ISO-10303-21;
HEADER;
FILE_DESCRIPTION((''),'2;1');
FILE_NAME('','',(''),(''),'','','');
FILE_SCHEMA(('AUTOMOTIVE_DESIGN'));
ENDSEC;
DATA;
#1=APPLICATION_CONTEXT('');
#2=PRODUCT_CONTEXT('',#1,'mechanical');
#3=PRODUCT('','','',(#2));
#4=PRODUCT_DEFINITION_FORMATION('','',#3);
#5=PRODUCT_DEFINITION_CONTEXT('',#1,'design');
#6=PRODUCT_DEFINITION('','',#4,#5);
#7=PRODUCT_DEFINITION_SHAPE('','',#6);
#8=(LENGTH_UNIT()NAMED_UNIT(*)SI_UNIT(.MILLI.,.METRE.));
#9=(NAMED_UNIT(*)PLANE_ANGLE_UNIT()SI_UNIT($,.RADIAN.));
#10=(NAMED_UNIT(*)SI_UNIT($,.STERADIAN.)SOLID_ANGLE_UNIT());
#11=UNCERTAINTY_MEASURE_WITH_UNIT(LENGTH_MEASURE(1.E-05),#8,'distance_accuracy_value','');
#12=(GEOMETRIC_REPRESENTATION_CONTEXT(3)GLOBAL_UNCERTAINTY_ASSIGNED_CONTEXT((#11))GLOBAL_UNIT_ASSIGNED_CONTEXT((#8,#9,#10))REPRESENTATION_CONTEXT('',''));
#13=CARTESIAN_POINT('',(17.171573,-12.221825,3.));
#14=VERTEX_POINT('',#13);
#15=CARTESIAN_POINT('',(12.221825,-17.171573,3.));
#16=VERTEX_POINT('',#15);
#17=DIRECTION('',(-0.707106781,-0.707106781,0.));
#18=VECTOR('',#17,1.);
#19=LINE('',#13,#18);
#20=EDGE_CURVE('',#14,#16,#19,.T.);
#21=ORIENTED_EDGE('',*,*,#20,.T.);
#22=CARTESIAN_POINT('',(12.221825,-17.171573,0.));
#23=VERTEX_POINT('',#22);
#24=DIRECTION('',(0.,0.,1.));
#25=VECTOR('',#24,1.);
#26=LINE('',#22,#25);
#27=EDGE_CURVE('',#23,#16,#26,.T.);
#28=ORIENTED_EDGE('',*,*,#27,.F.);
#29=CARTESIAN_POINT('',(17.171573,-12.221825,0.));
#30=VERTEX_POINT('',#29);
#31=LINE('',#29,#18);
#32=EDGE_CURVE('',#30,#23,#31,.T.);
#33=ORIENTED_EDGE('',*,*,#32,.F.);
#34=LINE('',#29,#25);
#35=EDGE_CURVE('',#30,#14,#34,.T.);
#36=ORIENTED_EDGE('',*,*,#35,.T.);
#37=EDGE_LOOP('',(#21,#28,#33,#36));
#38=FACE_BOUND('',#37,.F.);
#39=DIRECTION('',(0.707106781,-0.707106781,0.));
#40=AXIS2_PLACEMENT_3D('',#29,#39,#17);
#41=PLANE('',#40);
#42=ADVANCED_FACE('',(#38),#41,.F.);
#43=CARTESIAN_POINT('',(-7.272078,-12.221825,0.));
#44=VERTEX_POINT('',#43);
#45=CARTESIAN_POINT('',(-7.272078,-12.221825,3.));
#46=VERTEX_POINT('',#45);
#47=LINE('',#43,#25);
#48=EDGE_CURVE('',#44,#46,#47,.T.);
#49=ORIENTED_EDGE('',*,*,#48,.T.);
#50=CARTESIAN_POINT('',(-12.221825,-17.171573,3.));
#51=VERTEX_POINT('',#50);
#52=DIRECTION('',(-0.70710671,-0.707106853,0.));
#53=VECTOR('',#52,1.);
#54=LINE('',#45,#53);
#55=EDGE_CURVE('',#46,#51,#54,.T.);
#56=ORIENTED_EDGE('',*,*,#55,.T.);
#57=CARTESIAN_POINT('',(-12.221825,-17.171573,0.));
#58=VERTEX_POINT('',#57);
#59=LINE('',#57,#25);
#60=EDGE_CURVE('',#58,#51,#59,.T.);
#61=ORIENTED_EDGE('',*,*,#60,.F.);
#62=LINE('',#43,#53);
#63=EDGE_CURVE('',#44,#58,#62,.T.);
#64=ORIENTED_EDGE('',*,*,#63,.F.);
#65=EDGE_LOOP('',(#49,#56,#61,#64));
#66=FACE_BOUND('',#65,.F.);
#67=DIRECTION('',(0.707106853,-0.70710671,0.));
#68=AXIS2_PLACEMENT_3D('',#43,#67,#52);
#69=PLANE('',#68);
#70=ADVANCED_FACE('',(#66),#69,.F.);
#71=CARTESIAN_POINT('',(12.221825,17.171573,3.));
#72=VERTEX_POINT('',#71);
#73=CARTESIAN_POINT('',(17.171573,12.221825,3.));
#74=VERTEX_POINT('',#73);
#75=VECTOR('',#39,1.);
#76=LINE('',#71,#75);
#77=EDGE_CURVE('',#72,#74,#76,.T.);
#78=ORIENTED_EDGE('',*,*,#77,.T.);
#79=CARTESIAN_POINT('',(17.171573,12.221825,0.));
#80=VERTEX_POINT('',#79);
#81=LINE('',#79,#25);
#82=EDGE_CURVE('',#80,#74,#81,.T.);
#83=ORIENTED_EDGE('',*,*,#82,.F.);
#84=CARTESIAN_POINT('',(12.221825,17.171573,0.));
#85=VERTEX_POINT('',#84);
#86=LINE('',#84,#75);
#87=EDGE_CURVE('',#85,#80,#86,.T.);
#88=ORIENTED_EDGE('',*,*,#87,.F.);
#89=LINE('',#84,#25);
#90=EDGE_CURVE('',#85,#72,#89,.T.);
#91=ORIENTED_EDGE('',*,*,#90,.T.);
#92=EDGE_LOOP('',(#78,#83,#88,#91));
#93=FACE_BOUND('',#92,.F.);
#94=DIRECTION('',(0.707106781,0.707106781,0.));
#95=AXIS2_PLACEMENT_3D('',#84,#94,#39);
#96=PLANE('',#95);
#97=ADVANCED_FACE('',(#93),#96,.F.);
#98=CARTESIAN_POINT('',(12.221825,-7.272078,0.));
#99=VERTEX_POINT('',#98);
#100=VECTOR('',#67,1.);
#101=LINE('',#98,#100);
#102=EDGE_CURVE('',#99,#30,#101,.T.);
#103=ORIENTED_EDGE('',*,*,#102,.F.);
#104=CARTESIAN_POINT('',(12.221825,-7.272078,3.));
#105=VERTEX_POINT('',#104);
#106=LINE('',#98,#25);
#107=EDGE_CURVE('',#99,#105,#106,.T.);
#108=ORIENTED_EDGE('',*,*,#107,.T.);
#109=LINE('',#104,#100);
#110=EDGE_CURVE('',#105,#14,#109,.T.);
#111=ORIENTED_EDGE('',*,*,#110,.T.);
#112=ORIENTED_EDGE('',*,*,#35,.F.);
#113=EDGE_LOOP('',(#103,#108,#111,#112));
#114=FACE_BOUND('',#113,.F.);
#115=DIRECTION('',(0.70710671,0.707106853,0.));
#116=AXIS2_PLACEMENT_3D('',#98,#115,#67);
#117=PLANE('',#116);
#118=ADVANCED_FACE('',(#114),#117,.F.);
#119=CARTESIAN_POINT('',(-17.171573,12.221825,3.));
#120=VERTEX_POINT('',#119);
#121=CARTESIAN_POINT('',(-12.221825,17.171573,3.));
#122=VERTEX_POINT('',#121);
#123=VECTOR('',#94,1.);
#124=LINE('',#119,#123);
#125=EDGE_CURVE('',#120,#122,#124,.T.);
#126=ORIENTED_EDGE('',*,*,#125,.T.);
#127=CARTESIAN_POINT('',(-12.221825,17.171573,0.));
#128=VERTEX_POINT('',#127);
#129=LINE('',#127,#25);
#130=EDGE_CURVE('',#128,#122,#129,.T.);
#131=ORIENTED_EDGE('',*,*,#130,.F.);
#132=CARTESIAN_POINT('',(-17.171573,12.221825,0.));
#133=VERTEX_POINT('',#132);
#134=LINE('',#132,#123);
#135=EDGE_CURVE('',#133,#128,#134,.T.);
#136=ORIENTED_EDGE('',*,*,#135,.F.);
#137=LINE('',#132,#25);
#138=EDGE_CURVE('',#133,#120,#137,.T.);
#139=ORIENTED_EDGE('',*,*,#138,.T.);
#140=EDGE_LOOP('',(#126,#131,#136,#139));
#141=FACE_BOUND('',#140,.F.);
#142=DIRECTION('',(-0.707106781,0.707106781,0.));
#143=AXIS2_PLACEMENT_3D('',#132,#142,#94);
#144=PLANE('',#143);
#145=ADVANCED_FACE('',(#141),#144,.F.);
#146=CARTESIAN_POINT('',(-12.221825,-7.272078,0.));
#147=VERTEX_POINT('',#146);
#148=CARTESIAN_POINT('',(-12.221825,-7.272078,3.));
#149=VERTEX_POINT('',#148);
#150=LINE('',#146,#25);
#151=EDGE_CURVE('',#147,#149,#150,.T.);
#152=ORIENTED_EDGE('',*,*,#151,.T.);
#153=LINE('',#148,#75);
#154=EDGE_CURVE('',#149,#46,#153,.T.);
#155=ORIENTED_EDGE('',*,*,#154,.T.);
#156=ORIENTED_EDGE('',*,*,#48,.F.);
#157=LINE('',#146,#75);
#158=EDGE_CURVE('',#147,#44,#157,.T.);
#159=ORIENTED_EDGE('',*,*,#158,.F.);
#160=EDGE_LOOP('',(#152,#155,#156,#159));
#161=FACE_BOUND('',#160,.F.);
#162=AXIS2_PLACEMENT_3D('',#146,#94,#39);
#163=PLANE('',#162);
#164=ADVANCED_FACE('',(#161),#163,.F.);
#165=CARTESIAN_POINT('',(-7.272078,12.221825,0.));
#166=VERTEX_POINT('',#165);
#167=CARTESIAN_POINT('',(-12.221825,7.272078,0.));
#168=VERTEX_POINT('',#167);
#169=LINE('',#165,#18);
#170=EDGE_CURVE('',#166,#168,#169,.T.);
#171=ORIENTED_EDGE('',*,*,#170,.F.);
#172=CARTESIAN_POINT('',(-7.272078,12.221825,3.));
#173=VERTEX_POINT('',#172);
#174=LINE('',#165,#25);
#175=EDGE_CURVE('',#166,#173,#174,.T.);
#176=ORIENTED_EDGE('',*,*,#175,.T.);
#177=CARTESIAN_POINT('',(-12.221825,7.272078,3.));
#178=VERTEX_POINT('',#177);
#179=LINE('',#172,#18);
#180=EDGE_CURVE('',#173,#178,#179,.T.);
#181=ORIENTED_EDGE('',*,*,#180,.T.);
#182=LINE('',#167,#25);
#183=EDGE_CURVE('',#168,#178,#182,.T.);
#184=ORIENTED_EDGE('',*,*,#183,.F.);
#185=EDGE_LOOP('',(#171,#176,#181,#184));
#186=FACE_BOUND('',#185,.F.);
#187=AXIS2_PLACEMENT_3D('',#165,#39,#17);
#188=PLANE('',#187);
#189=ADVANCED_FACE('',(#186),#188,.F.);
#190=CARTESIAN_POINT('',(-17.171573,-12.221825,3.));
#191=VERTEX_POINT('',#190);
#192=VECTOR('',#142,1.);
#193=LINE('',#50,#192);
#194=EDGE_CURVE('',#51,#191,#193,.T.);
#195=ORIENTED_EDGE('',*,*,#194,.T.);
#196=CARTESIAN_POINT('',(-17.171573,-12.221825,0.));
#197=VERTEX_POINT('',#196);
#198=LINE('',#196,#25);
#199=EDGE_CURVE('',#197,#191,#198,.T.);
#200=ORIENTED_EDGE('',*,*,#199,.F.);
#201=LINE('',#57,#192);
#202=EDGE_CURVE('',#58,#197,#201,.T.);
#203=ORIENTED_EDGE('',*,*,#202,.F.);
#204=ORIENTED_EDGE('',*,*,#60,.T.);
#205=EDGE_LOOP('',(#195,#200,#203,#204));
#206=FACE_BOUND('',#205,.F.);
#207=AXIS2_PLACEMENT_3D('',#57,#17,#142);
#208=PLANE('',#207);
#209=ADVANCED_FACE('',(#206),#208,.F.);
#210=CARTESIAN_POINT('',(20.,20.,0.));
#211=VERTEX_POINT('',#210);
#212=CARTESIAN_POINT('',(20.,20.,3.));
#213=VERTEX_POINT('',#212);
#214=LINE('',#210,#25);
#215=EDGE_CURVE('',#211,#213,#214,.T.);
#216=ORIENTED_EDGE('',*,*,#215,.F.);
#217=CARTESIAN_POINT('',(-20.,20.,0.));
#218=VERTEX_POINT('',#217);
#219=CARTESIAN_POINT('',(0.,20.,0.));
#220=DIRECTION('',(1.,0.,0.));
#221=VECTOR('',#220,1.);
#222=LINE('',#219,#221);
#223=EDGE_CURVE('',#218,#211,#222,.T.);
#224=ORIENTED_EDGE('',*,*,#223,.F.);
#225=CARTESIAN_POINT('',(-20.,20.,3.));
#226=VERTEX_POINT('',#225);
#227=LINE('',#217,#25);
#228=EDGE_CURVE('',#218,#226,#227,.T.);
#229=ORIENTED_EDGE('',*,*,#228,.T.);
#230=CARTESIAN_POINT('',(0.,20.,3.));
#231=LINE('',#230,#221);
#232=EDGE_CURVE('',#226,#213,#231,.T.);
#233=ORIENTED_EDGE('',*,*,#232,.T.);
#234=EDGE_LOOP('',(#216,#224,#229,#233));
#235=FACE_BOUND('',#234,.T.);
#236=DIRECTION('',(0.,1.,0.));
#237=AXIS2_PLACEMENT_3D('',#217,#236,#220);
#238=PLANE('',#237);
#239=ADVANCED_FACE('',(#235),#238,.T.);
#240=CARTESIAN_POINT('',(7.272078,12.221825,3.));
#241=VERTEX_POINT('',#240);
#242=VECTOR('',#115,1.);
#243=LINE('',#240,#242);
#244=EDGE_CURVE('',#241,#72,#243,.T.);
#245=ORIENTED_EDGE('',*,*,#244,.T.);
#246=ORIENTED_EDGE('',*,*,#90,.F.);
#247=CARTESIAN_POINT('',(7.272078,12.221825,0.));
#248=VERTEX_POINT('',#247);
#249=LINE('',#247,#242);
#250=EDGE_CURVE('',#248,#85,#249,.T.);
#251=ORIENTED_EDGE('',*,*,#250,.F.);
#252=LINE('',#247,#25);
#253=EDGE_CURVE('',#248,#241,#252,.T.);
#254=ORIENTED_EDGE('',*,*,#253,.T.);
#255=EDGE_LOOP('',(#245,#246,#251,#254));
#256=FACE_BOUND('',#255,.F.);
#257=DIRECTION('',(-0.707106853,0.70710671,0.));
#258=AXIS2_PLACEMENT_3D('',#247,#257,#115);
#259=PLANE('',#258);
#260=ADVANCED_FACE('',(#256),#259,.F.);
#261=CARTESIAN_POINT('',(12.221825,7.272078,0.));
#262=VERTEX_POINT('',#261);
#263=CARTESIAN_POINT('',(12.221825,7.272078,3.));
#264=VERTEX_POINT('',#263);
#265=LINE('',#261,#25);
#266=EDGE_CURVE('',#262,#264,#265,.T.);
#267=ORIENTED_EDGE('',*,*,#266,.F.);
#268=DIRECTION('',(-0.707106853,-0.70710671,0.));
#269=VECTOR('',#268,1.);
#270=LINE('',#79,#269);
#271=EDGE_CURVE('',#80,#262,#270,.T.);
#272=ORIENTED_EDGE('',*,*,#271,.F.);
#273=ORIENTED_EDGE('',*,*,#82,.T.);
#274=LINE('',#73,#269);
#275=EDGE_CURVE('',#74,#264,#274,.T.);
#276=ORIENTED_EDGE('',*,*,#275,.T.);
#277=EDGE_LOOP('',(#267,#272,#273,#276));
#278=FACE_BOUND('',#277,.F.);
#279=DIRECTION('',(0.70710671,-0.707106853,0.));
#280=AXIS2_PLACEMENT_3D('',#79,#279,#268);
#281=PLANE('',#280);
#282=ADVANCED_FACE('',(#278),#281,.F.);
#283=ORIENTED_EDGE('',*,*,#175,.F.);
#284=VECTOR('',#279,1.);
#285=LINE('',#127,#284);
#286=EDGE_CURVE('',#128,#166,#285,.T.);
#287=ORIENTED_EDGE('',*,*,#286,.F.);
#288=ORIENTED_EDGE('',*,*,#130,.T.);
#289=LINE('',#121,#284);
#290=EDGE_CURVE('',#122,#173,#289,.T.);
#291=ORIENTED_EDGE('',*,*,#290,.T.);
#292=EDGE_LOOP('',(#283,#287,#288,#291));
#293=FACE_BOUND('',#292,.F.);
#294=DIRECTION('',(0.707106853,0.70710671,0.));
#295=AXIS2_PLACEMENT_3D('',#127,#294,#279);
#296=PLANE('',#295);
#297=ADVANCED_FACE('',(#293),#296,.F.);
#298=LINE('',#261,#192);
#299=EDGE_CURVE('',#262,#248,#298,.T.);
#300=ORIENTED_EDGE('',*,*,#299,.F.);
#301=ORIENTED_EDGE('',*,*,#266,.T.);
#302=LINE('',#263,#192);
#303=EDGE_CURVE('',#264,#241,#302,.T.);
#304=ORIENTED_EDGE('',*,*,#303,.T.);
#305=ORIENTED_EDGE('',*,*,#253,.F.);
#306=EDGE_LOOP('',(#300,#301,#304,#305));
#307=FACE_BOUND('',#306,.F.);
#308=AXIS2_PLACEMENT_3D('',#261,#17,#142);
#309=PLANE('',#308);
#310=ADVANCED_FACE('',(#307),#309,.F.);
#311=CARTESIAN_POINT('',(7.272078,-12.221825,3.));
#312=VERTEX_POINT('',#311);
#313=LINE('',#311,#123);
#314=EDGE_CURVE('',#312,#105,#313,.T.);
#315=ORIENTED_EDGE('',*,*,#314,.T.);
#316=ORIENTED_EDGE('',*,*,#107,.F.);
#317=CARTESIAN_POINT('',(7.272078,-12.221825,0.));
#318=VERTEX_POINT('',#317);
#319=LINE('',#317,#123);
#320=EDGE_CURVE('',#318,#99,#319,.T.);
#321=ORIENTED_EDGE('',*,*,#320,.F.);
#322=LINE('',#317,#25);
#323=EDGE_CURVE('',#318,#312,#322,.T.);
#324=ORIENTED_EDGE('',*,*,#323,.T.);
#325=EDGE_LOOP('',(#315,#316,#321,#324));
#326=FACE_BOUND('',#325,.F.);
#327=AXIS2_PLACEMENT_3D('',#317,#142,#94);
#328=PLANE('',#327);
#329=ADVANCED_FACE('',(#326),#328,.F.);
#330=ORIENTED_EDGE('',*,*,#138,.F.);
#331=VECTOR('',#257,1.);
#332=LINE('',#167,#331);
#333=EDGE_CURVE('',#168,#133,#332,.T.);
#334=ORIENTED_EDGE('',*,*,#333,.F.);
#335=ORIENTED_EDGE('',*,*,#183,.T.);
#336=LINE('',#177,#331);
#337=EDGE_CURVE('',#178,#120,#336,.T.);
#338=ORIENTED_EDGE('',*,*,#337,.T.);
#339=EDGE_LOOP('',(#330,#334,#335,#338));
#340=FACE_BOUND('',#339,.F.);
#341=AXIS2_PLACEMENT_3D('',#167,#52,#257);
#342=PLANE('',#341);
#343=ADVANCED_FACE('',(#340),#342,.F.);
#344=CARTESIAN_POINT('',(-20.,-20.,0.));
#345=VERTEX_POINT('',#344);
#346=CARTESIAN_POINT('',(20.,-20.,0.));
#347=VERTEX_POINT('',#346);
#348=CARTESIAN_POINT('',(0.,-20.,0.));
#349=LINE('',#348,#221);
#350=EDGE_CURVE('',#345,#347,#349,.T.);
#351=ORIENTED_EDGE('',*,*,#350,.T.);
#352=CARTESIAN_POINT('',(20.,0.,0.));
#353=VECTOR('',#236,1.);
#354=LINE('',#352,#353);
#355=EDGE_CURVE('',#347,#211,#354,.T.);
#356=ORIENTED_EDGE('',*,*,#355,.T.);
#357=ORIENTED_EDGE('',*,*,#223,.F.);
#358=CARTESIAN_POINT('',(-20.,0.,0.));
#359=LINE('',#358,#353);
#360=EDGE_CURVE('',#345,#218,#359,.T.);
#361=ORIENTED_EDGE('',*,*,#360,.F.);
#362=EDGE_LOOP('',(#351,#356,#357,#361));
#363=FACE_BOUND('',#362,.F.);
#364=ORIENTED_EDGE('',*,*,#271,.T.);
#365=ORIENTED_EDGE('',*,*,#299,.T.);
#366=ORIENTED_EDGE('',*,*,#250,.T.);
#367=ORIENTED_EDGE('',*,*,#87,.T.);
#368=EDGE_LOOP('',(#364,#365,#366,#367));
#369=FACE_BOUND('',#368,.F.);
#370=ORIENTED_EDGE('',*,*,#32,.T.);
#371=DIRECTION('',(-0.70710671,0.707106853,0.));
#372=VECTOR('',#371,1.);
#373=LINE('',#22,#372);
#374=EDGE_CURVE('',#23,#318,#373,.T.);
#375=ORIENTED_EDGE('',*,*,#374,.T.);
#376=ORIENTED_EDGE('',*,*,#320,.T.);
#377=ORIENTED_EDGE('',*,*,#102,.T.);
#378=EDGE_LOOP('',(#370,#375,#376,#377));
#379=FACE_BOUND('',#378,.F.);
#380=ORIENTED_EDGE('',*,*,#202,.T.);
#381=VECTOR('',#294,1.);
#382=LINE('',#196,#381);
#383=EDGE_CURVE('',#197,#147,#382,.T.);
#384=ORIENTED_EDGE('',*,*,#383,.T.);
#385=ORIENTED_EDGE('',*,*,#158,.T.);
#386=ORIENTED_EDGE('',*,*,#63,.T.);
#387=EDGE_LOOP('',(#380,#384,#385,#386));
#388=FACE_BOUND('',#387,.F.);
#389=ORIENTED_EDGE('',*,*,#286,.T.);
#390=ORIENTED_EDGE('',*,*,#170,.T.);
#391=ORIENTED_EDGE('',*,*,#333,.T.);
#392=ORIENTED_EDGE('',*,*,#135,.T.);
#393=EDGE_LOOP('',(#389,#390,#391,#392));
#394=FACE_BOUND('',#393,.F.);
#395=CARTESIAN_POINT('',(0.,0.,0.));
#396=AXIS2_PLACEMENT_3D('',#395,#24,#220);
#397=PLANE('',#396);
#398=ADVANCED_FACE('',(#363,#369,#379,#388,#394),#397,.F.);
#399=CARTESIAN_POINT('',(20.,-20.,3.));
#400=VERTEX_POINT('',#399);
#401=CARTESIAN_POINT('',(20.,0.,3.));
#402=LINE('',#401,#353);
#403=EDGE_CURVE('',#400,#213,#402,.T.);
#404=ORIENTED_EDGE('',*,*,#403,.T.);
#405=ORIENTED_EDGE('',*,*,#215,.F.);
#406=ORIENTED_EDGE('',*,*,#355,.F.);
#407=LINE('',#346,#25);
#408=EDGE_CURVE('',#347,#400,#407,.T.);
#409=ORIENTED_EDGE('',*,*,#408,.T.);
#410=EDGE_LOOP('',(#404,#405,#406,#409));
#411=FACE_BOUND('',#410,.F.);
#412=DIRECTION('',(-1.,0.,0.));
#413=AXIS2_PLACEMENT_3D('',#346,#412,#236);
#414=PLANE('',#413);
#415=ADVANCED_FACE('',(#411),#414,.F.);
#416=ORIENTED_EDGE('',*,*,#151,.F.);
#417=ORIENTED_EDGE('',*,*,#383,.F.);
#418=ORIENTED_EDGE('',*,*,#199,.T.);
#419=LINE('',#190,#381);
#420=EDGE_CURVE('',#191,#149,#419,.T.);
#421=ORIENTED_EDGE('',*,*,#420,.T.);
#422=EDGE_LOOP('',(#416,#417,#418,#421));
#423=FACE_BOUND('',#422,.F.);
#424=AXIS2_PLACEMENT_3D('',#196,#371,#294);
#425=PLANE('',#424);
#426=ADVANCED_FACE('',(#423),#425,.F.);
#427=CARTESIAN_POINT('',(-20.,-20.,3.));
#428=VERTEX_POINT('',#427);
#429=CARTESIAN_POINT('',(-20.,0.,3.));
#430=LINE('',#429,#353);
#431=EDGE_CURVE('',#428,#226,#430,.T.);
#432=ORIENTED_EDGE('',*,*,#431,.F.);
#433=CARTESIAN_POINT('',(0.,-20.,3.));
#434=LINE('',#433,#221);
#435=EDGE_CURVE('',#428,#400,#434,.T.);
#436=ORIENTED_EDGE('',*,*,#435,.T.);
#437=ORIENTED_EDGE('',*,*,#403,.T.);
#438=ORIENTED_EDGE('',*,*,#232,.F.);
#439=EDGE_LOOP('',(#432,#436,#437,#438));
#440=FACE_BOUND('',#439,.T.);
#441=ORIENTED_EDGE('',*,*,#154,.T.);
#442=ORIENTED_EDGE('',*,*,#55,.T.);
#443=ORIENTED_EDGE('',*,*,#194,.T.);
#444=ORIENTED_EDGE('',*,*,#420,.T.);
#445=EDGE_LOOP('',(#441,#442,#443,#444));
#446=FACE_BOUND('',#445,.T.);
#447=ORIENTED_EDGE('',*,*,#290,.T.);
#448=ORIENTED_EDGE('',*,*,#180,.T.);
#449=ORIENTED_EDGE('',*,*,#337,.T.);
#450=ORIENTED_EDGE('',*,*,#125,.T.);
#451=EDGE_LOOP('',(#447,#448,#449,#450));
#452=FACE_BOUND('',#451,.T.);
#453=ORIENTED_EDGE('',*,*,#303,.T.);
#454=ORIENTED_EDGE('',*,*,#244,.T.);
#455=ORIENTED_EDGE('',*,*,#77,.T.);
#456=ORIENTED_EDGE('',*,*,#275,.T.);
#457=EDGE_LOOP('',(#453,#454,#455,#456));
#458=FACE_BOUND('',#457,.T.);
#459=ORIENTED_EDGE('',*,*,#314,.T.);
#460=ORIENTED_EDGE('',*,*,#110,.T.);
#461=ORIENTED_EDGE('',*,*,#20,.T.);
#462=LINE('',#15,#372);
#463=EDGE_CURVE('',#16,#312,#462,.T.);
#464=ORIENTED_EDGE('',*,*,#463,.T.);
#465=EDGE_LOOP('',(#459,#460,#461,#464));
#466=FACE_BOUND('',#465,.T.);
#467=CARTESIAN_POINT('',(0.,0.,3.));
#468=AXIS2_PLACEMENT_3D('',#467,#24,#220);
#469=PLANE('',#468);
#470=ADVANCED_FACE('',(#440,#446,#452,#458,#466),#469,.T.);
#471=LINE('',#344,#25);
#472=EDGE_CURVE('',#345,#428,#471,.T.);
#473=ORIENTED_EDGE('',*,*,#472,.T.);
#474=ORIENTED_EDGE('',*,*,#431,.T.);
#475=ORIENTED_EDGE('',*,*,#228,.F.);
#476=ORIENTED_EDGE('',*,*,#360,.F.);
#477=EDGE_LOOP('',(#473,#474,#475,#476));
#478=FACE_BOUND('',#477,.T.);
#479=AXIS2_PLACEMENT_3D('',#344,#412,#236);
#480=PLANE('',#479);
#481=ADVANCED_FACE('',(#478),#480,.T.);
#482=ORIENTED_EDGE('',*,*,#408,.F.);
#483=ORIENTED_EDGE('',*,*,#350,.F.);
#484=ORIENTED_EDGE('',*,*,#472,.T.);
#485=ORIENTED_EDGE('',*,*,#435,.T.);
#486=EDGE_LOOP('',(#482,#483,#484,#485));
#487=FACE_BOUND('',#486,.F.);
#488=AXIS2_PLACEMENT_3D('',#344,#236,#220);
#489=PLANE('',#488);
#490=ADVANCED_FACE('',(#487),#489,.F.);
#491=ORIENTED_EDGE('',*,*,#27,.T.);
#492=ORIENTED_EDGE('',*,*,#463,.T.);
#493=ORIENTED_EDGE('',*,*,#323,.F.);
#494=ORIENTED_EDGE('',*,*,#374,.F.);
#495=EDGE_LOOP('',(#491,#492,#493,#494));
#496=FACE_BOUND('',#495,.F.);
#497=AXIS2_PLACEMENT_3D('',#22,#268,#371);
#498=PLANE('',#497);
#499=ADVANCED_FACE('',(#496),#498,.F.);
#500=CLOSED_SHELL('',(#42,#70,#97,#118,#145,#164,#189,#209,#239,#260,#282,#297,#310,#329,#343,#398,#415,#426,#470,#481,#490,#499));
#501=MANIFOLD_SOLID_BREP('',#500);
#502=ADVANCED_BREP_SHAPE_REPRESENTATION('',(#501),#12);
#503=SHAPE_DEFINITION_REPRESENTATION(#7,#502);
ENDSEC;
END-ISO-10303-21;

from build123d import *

# Parameters (mm, degrees)
F0_W     = 40
F0_H     = 40
F1_DEPTH = 3


with BuildPart() as f1:
    # F0 (on Top) → F1 (new body)
    with BuildSketch(Plane.XY):
        Rectangle(F0_W, F0_H)
        Polygon((-12.221825, -7.272078), (-7.272078, -12.221825), (-12.221825, -17.171573), (-17.171573, -12.221825), align=None, mode=Mode.SUBTRACT)
        Polygon((7.272078, -12.221825), (12.221825, -7.272078), (17.171573, -12.221825), (12.221825, -17.171573), align=None, mode=Mode.SUBTRACT)
        Polygon((-12.221825, 7.272078), (-17.171573, 12.221825), (-12.221825, 17.171573), (-7.272078, 12.221825), align=None, mode=Mode.SUBTRACT)
        Polygon((12.221825, 7.272078), (7.272078, 12.221825), (12.221825, 17.171573), (17.171573, 12.221825), align=None, mode=Mode.SUBTRACT)
    extrude(amount=F1_DEPTH)


solid = f1.part
